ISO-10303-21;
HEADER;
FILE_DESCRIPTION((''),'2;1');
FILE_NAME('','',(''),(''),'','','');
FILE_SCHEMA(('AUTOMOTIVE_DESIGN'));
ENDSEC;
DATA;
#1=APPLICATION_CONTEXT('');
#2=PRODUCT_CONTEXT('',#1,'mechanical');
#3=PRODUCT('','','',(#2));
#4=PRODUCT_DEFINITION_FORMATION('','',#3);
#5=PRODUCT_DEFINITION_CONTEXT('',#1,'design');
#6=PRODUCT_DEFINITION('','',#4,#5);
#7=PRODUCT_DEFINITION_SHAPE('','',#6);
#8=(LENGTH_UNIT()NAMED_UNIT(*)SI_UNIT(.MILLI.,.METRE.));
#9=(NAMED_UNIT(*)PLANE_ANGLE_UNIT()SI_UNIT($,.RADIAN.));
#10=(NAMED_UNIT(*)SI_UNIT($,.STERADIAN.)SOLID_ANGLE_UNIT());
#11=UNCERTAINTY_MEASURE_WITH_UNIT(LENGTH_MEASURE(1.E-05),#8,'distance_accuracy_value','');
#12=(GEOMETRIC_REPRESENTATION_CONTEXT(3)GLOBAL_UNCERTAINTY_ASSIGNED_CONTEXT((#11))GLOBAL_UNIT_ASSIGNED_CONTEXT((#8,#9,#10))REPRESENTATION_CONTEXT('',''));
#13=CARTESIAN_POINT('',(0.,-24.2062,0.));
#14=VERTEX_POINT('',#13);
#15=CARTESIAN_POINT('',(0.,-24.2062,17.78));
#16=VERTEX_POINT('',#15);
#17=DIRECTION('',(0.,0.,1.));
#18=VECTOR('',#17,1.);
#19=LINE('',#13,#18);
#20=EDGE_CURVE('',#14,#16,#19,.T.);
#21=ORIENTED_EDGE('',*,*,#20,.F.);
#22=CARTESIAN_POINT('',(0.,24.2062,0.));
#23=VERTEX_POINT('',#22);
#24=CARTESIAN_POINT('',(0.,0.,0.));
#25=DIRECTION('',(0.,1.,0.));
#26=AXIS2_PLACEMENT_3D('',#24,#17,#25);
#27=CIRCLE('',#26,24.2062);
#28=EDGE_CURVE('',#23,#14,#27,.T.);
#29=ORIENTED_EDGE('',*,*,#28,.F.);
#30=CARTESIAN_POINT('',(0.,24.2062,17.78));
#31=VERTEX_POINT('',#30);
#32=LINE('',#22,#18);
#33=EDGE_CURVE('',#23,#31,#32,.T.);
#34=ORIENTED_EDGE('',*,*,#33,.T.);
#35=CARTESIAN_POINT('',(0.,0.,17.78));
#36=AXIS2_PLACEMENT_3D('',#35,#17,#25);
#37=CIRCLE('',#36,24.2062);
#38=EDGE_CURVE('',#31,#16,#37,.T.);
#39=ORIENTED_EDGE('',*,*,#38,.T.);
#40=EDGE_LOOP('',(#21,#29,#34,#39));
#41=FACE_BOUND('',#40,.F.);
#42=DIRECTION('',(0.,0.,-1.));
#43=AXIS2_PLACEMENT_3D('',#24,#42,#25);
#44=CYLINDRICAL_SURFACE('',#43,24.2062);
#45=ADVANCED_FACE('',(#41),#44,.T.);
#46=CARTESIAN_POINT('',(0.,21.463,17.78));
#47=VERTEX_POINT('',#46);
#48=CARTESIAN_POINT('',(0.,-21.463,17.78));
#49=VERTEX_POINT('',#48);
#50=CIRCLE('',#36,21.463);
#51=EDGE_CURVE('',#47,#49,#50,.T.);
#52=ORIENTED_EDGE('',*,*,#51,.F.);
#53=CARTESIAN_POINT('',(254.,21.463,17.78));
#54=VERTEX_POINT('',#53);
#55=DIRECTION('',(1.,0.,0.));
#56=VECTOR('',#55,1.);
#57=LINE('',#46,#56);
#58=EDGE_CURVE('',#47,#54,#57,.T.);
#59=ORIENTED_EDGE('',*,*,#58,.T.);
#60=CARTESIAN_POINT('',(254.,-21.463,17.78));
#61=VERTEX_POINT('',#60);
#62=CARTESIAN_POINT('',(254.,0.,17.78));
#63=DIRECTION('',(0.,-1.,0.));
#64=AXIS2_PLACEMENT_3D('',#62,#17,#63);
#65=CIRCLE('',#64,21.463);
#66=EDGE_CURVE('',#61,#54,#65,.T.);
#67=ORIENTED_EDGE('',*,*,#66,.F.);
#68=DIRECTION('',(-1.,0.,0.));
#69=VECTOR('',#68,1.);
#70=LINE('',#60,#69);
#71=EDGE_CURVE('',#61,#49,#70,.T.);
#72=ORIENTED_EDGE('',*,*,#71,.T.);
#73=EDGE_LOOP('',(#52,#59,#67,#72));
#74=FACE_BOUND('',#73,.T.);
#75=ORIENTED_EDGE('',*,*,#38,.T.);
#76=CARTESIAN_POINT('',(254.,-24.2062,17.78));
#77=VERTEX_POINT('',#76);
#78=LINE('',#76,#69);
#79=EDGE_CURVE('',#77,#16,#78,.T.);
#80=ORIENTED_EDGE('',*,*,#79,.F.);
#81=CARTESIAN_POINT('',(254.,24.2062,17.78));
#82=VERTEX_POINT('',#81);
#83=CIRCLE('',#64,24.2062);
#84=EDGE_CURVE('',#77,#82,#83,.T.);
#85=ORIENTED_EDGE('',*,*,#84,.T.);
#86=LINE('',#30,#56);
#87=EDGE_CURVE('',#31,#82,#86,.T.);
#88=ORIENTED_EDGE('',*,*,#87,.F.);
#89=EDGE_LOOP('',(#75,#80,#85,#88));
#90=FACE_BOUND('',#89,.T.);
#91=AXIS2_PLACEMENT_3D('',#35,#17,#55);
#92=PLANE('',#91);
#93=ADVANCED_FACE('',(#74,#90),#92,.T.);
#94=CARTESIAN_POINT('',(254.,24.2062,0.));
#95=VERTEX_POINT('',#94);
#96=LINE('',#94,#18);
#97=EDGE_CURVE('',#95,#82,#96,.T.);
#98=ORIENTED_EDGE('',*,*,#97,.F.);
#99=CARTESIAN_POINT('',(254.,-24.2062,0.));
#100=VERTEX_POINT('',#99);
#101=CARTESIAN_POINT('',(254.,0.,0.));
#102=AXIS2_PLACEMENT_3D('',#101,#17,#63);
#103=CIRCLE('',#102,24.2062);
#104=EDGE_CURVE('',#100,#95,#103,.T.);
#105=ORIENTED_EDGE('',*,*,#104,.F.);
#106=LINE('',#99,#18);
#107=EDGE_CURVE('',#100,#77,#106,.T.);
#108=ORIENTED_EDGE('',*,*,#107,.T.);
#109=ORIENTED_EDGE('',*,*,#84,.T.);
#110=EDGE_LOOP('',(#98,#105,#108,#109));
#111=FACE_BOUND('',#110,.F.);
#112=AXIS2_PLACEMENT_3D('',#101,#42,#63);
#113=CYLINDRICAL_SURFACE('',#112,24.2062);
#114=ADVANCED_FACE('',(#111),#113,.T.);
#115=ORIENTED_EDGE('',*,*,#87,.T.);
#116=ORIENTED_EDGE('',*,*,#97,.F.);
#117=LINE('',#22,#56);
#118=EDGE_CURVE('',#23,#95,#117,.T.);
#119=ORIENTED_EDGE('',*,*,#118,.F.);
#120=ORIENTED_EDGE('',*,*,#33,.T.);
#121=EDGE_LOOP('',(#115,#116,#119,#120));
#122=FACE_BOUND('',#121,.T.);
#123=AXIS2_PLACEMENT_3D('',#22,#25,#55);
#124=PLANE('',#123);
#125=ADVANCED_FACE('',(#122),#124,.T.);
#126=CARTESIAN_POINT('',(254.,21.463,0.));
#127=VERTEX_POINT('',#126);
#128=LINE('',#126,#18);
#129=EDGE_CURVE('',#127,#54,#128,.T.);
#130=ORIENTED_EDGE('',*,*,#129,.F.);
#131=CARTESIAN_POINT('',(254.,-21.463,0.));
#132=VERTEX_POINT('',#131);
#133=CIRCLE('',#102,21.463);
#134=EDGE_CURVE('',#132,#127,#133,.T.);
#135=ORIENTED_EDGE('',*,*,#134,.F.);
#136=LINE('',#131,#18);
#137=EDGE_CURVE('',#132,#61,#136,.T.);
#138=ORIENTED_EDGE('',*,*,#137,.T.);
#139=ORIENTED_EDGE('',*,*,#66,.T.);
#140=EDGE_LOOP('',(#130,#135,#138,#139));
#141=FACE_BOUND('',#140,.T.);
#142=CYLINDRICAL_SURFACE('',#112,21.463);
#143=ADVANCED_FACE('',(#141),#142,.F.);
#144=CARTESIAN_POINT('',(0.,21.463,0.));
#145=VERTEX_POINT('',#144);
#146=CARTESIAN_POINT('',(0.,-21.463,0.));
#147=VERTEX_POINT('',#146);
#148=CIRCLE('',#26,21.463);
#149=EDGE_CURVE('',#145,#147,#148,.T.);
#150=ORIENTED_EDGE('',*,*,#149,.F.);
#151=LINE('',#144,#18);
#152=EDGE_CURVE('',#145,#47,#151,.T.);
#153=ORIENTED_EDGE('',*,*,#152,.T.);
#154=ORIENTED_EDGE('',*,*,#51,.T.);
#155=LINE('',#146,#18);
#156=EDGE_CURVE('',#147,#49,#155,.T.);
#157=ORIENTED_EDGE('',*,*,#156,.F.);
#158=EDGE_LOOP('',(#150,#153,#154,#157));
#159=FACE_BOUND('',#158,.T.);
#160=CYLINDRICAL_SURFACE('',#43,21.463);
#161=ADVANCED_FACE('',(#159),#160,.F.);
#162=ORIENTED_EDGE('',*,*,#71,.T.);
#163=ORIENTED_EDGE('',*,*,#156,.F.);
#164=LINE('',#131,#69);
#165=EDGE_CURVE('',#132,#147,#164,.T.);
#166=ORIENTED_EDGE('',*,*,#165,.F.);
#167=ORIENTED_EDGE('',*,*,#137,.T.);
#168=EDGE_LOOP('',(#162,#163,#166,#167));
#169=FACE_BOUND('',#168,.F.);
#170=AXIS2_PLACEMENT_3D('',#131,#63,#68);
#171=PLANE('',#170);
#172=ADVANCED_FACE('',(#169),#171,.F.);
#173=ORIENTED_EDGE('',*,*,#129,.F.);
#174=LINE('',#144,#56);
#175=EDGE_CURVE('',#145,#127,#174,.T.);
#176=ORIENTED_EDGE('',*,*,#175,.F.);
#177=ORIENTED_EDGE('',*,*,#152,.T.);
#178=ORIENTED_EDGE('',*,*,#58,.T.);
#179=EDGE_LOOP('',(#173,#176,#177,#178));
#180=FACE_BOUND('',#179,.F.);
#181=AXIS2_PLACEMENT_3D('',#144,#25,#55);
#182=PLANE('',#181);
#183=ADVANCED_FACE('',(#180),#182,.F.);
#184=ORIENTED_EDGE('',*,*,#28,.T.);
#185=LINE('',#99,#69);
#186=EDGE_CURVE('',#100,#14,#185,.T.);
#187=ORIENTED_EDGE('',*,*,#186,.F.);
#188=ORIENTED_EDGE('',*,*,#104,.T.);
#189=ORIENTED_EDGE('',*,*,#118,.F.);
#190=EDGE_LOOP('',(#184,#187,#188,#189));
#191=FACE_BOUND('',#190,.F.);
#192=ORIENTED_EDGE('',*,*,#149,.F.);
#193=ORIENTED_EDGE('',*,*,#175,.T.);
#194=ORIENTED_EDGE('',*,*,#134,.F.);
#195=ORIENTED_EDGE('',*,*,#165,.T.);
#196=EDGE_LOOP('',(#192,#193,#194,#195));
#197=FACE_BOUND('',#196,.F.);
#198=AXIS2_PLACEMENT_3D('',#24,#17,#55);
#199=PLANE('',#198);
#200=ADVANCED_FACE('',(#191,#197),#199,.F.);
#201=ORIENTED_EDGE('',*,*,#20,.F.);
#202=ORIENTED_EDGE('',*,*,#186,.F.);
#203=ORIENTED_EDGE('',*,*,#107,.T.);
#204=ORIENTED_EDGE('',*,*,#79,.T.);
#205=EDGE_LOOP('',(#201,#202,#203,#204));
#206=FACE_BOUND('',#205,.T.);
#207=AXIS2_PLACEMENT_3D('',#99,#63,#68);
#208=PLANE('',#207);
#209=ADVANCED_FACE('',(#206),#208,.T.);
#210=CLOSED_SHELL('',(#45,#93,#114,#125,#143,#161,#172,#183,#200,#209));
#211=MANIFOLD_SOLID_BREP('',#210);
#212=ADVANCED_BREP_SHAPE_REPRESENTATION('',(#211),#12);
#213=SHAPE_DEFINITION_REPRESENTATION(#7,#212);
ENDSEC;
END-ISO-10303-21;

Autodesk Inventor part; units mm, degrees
ref_plane "YZ Plane" through (0, 0, 0) normal (1, 0, 0) x (0, 1, 0)
ref_plane "XZ Plane" through (0, 0, 0) normal (0, 1, 0) x (-1, 0, 0)
ref_plane "XY Plane" through (0, 0, 0) normal (0, 0, 1) x (1, 0, 0)
sketch "Sketch1" plane through (0, 0, 0) normal (0, 0, 1) x (1, 0, 0)
  line L0 (0, 0) -> (254, 0) construction
  line L1 (0, -23.2918) -> (254, -23.2918)
  line L2 (254, 23.2918) -> (0, 23.2918)
  arc A0 (0, 23.2918) -> (0, -23.2918) centre (0, 0) ccw
  arc A1 (254, -23.2918) -> (254, 23.2918) centre (254, 0) ccw
  line L3 (0, 24.2062) -> (254, 24.2062)
  arc A2 (254, -24.2062) -> (254, 24.2062) centre (254, 0) ccw
  line L4 (254, -24.2062) -> (0, -24.2062)
  arc A3 (0, 24.2062) -> (0, -24.2062) centre (0, 0) ccw
  line L5 (0, 21.463) -> (254, 21.463)
  arc A4 (254, -21.463) -> (254, 21.463) centre (254, 0) ccw
  line L6 (254, -21.463) -> (0, -21.463)
  arc A5 (0, 21.463) -> (0, -21.463) centre (0, 0) ccw
  point P0 (127, 0)
  dimension "d0" = 254
  dimension "d1" = 23.2918
  dimension "d2" = 0.9144
  dimension "d3" = 1.8288
extrude "Extrusion1" add sketch "Sketch1" along normal blind 17.78 contours A0 L2 A1 L1 | L3 A2 L4 A3
properties part number "BeltVer1-1111-2019" material "Fiberglass Batt"
